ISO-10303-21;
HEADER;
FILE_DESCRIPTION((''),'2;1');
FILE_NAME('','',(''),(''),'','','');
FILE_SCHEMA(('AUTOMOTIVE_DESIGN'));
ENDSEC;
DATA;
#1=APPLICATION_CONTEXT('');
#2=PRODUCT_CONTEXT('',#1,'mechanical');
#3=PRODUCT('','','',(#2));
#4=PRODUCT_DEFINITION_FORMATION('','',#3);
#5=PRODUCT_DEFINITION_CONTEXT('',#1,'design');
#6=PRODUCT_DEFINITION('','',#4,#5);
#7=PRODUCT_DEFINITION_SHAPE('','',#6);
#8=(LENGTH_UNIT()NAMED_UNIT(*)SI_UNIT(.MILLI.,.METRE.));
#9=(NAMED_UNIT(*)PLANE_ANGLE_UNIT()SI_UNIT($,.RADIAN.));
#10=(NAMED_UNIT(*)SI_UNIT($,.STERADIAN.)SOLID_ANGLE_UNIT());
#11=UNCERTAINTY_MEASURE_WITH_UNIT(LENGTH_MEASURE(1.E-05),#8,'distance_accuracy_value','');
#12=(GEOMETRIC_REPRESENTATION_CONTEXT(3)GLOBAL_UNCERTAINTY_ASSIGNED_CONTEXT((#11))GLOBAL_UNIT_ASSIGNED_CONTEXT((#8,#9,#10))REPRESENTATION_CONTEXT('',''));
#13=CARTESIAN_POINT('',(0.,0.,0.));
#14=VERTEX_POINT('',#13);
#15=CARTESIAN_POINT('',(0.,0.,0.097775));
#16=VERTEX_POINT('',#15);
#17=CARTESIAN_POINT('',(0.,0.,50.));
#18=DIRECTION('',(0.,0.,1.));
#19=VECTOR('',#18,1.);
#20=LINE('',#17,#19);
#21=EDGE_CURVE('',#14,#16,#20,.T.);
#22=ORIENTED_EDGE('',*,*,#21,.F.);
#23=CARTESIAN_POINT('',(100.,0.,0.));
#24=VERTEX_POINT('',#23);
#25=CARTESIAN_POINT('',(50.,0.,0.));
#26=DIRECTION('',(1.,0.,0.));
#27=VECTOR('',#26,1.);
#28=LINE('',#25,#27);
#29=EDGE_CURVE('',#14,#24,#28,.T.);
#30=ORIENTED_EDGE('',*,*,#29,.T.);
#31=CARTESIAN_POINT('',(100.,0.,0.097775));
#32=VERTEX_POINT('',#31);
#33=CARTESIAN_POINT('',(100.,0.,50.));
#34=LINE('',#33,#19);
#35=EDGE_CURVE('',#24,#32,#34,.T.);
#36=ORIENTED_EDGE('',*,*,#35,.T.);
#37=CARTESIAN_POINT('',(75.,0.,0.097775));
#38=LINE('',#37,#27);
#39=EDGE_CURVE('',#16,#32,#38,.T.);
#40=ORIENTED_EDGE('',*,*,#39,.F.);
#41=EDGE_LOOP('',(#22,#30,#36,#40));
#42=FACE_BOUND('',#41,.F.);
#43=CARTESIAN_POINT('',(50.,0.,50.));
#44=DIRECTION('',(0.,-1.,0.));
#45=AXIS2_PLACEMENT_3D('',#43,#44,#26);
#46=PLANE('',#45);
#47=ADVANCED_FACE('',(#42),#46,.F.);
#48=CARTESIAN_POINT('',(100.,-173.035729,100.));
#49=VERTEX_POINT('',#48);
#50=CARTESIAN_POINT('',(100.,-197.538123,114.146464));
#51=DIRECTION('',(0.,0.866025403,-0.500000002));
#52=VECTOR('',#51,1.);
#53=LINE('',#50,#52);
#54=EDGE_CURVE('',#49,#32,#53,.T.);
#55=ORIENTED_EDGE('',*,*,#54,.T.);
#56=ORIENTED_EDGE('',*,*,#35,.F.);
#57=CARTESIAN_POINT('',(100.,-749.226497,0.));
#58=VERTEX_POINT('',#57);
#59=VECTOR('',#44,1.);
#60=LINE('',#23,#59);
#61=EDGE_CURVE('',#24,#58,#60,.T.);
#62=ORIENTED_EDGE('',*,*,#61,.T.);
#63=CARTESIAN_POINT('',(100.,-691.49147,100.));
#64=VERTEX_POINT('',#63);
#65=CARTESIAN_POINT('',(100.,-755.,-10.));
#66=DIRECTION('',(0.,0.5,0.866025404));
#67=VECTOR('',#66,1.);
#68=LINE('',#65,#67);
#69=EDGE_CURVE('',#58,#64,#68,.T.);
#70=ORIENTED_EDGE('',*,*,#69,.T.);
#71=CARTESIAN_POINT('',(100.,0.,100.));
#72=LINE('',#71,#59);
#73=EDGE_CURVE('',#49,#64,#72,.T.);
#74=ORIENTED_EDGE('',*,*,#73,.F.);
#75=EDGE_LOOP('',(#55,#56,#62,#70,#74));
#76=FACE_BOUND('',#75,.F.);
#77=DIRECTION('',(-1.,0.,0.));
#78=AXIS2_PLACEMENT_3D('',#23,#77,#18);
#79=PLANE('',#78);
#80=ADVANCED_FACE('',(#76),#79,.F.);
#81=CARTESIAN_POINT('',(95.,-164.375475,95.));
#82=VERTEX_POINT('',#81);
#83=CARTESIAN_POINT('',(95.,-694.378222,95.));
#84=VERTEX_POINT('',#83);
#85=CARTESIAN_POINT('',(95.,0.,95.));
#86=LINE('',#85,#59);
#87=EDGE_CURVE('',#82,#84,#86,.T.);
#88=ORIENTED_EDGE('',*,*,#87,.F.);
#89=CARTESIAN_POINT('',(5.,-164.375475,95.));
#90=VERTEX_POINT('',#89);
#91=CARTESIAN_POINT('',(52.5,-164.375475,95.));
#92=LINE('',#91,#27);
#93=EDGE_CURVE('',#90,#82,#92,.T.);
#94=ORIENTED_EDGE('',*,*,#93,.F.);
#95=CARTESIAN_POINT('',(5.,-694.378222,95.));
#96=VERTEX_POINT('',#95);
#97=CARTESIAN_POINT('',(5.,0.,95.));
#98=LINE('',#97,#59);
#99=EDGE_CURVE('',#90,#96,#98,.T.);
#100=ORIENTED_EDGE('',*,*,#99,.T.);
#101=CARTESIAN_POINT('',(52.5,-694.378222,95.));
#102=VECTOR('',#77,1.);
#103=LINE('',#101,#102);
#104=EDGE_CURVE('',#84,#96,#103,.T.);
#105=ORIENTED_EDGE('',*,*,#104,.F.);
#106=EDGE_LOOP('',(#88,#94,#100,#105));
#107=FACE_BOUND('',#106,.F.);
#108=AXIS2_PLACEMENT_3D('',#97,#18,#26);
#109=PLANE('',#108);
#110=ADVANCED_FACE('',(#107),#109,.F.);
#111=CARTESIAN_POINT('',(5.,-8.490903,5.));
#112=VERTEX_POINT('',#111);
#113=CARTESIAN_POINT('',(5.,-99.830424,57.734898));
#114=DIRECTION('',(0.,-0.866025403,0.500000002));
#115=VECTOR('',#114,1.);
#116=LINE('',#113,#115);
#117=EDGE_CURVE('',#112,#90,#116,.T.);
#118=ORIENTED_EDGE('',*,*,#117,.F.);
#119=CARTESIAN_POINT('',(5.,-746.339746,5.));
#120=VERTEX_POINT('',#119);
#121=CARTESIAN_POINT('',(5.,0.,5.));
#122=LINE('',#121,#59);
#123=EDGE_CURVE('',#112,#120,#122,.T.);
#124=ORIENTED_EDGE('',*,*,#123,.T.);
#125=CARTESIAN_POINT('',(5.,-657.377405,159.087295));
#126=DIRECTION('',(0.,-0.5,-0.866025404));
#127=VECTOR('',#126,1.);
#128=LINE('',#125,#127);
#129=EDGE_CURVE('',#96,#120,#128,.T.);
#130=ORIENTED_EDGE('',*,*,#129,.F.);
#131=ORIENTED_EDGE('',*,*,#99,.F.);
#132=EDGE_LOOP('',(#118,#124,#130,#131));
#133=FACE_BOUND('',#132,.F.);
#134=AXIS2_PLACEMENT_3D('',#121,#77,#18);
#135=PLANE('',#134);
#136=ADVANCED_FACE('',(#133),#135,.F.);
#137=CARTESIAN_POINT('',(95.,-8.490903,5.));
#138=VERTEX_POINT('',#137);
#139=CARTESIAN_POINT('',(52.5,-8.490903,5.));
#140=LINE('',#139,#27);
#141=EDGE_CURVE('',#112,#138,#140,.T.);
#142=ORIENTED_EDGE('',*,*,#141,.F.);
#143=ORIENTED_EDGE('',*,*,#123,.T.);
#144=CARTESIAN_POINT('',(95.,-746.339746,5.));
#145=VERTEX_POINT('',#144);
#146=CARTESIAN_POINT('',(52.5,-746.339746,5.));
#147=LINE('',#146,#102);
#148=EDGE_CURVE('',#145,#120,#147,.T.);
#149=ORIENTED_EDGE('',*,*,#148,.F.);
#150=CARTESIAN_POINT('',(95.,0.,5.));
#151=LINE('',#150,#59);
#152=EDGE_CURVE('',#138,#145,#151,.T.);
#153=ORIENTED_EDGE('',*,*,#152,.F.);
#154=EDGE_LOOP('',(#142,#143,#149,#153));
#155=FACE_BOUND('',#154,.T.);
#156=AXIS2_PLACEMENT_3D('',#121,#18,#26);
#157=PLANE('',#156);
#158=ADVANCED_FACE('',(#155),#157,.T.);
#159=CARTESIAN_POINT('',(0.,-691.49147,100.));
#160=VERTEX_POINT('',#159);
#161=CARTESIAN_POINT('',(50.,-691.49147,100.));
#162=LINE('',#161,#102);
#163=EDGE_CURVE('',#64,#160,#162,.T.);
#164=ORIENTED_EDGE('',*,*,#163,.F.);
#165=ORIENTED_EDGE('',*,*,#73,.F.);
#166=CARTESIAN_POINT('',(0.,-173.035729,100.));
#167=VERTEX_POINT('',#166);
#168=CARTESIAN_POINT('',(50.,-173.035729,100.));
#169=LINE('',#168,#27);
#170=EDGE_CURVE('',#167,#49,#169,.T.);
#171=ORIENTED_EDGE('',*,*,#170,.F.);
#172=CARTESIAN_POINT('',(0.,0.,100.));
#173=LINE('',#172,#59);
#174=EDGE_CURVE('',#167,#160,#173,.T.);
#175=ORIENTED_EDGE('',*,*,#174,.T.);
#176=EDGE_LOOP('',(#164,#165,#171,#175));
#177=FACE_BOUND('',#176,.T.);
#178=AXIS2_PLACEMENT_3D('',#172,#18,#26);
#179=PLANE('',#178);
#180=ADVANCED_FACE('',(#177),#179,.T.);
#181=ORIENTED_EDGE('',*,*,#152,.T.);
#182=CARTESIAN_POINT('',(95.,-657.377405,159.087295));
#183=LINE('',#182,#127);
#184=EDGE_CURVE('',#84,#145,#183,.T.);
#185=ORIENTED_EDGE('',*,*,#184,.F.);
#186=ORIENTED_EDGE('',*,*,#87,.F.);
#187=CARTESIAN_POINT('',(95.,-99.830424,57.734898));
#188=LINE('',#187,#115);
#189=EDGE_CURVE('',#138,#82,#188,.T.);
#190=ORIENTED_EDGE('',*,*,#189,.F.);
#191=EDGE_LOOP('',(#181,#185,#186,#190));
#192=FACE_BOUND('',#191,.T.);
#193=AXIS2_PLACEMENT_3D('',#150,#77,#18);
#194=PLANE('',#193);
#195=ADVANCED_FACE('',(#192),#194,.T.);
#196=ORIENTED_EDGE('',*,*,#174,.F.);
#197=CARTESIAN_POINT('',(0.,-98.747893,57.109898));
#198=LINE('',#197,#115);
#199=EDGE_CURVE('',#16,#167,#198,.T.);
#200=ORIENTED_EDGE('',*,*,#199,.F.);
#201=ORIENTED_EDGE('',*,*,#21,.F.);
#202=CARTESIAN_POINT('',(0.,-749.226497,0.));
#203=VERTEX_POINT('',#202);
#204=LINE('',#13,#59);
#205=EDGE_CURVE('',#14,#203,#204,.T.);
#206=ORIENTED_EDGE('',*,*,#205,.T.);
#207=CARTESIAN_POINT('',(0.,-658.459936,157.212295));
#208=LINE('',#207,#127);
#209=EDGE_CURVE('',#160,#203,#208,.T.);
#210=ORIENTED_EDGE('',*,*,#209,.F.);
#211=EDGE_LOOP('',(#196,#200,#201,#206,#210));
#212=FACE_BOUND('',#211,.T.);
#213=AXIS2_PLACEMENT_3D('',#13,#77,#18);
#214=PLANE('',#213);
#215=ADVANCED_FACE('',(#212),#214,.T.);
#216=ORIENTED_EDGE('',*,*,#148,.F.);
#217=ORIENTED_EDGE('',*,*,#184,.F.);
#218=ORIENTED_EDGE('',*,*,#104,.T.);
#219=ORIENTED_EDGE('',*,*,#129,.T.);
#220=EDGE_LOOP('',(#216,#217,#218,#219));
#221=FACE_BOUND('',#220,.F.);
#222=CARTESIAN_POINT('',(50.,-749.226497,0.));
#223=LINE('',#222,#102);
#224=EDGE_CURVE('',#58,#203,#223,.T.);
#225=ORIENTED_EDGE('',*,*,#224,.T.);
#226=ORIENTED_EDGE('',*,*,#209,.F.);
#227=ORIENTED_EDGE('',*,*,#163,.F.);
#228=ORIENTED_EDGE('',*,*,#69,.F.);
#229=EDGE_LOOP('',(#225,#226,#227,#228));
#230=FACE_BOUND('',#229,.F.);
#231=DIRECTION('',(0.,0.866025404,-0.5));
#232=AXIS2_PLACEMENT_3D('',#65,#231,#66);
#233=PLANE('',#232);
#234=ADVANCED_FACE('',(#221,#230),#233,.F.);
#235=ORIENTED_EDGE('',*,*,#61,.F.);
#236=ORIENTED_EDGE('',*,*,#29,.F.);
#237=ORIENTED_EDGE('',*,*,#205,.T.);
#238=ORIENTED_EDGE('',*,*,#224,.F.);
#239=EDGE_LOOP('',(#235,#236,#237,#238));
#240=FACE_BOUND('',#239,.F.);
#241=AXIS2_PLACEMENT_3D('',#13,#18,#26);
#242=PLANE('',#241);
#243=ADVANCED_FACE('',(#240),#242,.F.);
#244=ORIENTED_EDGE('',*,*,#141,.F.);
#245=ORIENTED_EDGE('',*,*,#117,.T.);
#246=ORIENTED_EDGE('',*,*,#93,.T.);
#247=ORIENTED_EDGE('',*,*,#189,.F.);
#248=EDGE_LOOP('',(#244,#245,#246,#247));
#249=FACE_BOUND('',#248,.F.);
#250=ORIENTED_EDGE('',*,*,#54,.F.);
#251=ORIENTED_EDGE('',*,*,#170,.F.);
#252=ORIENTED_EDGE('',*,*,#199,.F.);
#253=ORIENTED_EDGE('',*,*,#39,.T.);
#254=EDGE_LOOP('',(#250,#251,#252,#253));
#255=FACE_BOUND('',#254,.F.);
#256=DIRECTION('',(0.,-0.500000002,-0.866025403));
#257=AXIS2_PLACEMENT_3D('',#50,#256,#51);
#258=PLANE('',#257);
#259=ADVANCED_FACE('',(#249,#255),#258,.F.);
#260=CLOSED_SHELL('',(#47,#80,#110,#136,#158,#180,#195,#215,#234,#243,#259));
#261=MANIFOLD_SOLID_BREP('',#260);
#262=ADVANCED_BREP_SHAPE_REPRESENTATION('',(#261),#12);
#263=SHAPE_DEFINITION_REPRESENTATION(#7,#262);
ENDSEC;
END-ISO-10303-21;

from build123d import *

# Parameters (mm, degrees)
F0_W     = 100
F0_H     = 100
F0_W_2   = 90
F0_H_2   = 90
F1_DEPTH = 750
F3_DEPTH = 100.001
F5_DEPTH = 100.001


with BuildPart() as f1:
    # F0 (on Front) → F1 (new body)
    with BuildSketch(Plane.XZ):
        with Locations((50, 50)):
            Rectangle(F0_W, F0_H)
        with Locations((50, 50)):
            Rectangle(F0_W_2, F0_H_2, mode=Mode.SUBTRACT)
    extrude(amount=F1_DEPTH)

    # F2 (on face) → F3 (cut, through all)
    with BuildSketch(Plane.YZ.offset(100)):
        Polygon((-679.944465, 120), (-755, 120), (-755, -10), align=None)
    extrude(amount=-F3_DEPTH, mode=Mode.SUBTRACT)

    # F4 (on face) → F5 (cut, through all)
    with BuildSketch(Plane.YZ.offset(100)):
        Polygon((0.141252, 114.146464), (-197.538123, 114.146464), (0.141252, 0.016223), align=None)
    extrude(amount=-F5_DEPTH, mode=Mode.SUBTRACT)


solid = f1.part
